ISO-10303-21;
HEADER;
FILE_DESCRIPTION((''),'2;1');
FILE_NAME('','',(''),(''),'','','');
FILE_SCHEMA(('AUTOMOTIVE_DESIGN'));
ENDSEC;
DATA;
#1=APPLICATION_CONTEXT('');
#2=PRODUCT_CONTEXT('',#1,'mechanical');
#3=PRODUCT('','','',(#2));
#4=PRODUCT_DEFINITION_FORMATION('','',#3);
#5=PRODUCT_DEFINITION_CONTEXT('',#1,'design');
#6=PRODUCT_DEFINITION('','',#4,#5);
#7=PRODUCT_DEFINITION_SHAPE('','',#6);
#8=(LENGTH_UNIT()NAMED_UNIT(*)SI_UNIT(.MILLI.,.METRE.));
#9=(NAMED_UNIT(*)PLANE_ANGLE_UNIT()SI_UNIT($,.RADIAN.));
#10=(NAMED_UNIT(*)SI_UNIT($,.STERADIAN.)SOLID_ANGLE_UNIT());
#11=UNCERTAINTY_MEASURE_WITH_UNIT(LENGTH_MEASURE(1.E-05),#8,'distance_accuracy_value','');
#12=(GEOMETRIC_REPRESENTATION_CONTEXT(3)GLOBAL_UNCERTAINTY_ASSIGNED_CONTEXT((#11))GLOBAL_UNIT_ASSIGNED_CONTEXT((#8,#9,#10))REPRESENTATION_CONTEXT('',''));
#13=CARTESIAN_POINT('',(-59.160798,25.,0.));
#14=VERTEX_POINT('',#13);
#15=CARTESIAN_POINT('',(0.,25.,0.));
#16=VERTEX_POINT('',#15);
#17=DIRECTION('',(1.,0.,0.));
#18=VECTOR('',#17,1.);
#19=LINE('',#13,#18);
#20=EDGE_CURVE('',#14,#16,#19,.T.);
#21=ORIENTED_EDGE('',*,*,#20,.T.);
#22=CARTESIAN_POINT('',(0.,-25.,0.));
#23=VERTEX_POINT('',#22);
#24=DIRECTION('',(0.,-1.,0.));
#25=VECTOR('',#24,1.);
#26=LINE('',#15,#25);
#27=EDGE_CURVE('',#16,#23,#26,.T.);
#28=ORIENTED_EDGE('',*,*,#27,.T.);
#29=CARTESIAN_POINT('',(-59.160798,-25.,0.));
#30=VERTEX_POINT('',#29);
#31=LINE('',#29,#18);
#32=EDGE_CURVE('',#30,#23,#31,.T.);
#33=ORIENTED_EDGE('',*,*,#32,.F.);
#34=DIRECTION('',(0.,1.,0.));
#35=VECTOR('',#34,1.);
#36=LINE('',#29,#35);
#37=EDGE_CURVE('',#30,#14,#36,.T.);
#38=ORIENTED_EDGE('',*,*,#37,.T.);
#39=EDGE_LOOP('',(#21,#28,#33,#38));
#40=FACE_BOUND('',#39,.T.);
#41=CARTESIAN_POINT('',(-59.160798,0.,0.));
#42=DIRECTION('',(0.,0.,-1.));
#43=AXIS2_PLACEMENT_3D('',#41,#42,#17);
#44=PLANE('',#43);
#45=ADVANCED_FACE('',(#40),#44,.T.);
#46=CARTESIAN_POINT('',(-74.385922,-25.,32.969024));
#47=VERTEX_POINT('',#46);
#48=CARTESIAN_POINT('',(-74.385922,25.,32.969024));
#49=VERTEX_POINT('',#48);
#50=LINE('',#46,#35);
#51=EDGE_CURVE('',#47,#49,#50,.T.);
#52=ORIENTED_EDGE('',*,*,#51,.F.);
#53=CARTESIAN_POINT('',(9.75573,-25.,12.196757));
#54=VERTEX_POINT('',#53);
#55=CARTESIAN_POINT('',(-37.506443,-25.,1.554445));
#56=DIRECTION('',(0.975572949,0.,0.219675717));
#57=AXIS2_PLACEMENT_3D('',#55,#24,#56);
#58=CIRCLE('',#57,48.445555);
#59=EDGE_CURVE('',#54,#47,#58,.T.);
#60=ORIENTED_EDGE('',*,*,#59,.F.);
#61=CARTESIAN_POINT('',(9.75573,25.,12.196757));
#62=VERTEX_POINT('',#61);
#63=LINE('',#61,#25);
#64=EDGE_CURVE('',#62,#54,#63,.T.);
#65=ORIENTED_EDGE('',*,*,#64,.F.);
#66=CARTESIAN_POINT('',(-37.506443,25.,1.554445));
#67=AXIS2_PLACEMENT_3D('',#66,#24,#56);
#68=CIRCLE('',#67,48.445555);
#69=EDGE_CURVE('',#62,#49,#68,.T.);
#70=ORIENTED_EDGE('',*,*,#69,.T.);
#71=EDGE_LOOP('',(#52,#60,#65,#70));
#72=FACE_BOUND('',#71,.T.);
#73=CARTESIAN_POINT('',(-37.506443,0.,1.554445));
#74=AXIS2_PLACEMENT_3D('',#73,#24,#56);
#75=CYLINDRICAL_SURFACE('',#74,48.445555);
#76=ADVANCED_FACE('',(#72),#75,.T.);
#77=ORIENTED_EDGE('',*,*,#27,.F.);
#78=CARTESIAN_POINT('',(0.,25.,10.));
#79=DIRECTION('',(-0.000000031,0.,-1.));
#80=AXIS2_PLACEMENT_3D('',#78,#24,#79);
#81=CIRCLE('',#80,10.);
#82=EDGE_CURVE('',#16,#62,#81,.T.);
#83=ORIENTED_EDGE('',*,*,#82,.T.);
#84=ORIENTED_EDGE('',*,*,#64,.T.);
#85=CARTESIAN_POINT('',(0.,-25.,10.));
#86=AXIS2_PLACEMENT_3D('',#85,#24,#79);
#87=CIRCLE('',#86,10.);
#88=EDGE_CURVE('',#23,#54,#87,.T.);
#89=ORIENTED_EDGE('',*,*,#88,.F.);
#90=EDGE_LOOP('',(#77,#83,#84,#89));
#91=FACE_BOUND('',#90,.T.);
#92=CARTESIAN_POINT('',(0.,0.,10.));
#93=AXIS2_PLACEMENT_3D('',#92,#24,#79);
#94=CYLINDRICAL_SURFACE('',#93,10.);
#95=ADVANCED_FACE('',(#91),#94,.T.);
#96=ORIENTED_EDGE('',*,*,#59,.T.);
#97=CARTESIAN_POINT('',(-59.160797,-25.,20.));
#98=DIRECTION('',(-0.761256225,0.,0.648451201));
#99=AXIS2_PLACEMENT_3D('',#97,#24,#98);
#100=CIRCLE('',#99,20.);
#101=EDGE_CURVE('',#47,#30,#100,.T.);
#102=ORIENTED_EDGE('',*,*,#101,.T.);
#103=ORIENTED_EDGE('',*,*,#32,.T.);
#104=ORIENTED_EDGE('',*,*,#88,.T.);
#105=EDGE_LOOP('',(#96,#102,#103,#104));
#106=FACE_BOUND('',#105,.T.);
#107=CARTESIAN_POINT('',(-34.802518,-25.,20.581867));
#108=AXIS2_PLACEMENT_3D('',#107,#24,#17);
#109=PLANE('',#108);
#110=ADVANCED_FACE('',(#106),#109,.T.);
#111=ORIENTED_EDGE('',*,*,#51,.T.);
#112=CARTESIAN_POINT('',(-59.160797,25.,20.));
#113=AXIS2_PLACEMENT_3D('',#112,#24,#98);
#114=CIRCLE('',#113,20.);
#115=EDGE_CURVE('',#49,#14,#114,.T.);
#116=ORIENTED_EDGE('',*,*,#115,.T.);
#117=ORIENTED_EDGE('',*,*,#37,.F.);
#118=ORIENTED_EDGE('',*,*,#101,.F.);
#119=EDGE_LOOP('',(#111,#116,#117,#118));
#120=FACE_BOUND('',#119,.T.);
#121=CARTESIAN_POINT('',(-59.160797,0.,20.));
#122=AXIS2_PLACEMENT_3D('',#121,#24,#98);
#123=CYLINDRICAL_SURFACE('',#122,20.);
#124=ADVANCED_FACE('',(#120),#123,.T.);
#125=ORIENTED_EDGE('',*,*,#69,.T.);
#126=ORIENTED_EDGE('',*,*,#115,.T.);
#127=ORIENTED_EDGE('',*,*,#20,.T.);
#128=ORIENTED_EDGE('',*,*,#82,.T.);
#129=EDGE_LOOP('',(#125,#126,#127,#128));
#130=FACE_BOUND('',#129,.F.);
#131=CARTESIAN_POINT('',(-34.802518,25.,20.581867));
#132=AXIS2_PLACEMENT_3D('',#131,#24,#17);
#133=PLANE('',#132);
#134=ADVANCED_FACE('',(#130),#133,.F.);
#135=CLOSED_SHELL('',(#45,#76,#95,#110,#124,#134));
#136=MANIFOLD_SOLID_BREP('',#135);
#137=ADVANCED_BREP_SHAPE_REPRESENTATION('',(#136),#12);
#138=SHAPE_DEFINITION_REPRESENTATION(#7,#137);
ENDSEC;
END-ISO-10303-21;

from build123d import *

# Parameters (mm, degrees)
F1_DEPTH = 25


with BuildPart() as f1:
    # F0 (on Front) → F1 (new body, symmetric)
    with BuildSketch(Plane.XZ):
        with BuildLine():
            Line((-59.160798, 0), (0, 0))
            ThreePointArc((0, 0), (7.809212, 3.753704), (9.75573, 12.196757))
            ThreePointArc((9.75573, 12.196757), (-25.895162, 48.587943), (-74.385922, 32.969024))
            ThreePointArc((-74.385922, 32.969024), (-77.318172, 11.614909), (-59.160798, 0))
        make_face()
    extrude(amount=F1_DEPTH, both=True)


solid = f1.part
